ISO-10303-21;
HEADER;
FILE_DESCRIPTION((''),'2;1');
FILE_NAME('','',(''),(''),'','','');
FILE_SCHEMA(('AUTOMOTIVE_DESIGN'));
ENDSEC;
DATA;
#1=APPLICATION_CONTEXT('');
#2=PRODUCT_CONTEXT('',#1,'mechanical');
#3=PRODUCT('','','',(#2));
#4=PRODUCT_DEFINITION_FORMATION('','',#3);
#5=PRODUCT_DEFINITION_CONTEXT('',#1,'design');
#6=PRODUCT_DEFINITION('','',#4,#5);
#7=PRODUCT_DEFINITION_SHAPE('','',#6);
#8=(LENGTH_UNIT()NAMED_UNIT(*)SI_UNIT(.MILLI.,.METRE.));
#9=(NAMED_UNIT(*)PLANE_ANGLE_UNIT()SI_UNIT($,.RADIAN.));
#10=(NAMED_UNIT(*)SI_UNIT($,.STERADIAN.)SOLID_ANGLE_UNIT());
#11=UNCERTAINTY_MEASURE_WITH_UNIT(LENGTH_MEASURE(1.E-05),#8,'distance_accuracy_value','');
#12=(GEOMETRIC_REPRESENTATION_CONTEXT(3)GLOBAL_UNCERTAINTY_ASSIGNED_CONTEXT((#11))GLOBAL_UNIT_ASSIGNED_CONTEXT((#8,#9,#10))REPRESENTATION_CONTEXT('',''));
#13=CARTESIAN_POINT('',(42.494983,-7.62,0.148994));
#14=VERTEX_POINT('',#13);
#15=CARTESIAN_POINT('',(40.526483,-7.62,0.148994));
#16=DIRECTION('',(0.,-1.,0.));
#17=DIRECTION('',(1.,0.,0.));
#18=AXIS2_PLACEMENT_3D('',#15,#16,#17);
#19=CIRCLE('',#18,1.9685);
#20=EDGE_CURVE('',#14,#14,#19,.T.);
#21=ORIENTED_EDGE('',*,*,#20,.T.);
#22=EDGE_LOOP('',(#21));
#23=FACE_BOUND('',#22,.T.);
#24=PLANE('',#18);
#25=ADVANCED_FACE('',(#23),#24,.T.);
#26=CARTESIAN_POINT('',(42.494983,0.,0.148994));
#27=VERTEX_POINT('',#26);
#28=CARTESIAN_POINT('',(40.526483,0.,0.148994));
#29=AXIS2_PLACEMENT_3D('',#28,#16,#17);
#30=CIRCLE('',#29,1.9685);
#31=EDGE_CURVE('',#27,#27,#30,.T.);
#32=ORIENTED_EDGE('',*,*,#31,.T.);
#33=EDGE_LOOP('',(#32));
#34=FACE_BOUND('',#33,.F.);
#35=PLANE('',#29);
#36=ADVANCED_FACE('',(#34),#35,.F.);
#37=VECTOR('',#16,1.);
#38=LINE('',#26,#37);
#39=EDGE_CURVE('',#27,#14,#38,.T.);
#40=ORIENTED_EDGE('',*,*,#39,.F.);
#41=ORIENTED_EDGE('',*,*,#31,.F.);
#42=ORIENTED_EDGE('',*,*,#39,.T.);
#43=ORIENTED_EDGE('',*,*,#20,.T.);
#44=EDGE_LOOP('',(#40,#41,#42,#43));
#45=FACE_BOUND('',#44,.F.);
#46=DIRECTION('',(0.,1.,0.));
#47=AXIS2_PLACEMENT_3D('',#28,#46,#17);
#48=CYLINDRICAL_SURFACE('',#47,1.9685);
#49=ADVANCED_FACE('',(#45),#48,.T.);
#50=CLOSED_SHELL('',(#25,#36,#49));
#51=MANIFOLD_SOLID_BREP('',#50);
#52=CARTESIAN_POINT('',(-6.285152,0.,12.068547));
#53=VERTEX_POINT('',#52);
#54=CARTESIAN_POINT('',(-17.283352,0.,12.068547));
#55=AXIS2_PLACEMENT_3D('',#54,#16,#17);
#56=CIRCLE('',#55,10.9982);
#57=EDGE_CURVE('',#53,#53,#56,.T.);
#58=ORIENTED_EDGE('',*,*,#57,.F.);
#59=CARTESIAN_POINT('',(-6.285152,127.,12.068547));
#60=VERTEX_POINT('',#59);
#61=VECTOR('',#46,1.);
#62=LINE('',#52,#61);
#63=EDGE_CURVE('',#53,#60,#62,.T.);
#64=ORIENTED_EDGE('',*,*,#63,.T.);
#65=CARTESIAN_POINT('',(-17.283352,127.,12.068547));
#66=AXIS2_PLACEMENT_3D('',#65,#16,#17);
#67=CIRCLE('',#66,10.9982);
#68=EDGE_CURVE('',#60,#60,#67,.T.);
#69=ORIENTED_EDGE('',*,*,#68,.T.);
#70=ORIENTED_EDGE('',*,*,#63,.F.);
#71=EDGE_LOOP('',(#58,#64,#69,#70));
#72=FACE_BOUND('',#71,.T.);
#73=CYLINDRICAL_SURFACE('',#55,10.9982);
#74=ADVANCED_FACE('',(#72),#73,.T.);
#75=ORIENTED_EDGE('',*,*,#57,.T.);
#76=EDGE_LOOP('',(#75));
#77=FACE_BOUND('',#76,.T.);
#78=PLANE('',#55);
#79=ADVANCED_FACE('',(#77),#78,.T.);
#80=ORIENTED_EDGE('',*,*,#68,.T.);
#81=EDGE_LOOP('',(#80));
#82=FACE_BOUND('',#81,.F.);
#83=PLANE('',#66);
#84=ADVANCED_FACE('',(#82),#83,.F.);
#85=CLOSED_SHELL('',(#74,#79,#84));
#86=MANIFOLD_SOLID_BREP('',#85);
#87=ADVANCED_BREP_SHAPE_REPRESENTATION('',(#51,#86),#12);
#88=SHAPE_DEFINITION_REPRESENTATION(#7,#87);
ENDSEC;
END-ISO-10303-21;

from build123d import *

# Parameters (mm, degrees)
F0_R     = 10.9982
F1_DEPTH = 127
F0_R_2   = 1.9685
F2_DEPTH = 7.62


with BuildPart() as f1:
    # F0 (on Front) → F1 (new body)
    with BuildSketch(Plane.XZ):
        with Locations((-17.283352, 12.068547)):
            Circle(F0_R)
    extrude(amount=-F1_DEPTH)


with BuildPart() as f2:
    # F0 (on Front) → F2 (new body)
    with BuildSketch(Plane.XZ):
        with Locations((40.526483, 0.148994)):
            Circle(F0_R_2)
    extrude(amount=F2_DEPTH)


solid = Compound([f1.part, f2.part])
